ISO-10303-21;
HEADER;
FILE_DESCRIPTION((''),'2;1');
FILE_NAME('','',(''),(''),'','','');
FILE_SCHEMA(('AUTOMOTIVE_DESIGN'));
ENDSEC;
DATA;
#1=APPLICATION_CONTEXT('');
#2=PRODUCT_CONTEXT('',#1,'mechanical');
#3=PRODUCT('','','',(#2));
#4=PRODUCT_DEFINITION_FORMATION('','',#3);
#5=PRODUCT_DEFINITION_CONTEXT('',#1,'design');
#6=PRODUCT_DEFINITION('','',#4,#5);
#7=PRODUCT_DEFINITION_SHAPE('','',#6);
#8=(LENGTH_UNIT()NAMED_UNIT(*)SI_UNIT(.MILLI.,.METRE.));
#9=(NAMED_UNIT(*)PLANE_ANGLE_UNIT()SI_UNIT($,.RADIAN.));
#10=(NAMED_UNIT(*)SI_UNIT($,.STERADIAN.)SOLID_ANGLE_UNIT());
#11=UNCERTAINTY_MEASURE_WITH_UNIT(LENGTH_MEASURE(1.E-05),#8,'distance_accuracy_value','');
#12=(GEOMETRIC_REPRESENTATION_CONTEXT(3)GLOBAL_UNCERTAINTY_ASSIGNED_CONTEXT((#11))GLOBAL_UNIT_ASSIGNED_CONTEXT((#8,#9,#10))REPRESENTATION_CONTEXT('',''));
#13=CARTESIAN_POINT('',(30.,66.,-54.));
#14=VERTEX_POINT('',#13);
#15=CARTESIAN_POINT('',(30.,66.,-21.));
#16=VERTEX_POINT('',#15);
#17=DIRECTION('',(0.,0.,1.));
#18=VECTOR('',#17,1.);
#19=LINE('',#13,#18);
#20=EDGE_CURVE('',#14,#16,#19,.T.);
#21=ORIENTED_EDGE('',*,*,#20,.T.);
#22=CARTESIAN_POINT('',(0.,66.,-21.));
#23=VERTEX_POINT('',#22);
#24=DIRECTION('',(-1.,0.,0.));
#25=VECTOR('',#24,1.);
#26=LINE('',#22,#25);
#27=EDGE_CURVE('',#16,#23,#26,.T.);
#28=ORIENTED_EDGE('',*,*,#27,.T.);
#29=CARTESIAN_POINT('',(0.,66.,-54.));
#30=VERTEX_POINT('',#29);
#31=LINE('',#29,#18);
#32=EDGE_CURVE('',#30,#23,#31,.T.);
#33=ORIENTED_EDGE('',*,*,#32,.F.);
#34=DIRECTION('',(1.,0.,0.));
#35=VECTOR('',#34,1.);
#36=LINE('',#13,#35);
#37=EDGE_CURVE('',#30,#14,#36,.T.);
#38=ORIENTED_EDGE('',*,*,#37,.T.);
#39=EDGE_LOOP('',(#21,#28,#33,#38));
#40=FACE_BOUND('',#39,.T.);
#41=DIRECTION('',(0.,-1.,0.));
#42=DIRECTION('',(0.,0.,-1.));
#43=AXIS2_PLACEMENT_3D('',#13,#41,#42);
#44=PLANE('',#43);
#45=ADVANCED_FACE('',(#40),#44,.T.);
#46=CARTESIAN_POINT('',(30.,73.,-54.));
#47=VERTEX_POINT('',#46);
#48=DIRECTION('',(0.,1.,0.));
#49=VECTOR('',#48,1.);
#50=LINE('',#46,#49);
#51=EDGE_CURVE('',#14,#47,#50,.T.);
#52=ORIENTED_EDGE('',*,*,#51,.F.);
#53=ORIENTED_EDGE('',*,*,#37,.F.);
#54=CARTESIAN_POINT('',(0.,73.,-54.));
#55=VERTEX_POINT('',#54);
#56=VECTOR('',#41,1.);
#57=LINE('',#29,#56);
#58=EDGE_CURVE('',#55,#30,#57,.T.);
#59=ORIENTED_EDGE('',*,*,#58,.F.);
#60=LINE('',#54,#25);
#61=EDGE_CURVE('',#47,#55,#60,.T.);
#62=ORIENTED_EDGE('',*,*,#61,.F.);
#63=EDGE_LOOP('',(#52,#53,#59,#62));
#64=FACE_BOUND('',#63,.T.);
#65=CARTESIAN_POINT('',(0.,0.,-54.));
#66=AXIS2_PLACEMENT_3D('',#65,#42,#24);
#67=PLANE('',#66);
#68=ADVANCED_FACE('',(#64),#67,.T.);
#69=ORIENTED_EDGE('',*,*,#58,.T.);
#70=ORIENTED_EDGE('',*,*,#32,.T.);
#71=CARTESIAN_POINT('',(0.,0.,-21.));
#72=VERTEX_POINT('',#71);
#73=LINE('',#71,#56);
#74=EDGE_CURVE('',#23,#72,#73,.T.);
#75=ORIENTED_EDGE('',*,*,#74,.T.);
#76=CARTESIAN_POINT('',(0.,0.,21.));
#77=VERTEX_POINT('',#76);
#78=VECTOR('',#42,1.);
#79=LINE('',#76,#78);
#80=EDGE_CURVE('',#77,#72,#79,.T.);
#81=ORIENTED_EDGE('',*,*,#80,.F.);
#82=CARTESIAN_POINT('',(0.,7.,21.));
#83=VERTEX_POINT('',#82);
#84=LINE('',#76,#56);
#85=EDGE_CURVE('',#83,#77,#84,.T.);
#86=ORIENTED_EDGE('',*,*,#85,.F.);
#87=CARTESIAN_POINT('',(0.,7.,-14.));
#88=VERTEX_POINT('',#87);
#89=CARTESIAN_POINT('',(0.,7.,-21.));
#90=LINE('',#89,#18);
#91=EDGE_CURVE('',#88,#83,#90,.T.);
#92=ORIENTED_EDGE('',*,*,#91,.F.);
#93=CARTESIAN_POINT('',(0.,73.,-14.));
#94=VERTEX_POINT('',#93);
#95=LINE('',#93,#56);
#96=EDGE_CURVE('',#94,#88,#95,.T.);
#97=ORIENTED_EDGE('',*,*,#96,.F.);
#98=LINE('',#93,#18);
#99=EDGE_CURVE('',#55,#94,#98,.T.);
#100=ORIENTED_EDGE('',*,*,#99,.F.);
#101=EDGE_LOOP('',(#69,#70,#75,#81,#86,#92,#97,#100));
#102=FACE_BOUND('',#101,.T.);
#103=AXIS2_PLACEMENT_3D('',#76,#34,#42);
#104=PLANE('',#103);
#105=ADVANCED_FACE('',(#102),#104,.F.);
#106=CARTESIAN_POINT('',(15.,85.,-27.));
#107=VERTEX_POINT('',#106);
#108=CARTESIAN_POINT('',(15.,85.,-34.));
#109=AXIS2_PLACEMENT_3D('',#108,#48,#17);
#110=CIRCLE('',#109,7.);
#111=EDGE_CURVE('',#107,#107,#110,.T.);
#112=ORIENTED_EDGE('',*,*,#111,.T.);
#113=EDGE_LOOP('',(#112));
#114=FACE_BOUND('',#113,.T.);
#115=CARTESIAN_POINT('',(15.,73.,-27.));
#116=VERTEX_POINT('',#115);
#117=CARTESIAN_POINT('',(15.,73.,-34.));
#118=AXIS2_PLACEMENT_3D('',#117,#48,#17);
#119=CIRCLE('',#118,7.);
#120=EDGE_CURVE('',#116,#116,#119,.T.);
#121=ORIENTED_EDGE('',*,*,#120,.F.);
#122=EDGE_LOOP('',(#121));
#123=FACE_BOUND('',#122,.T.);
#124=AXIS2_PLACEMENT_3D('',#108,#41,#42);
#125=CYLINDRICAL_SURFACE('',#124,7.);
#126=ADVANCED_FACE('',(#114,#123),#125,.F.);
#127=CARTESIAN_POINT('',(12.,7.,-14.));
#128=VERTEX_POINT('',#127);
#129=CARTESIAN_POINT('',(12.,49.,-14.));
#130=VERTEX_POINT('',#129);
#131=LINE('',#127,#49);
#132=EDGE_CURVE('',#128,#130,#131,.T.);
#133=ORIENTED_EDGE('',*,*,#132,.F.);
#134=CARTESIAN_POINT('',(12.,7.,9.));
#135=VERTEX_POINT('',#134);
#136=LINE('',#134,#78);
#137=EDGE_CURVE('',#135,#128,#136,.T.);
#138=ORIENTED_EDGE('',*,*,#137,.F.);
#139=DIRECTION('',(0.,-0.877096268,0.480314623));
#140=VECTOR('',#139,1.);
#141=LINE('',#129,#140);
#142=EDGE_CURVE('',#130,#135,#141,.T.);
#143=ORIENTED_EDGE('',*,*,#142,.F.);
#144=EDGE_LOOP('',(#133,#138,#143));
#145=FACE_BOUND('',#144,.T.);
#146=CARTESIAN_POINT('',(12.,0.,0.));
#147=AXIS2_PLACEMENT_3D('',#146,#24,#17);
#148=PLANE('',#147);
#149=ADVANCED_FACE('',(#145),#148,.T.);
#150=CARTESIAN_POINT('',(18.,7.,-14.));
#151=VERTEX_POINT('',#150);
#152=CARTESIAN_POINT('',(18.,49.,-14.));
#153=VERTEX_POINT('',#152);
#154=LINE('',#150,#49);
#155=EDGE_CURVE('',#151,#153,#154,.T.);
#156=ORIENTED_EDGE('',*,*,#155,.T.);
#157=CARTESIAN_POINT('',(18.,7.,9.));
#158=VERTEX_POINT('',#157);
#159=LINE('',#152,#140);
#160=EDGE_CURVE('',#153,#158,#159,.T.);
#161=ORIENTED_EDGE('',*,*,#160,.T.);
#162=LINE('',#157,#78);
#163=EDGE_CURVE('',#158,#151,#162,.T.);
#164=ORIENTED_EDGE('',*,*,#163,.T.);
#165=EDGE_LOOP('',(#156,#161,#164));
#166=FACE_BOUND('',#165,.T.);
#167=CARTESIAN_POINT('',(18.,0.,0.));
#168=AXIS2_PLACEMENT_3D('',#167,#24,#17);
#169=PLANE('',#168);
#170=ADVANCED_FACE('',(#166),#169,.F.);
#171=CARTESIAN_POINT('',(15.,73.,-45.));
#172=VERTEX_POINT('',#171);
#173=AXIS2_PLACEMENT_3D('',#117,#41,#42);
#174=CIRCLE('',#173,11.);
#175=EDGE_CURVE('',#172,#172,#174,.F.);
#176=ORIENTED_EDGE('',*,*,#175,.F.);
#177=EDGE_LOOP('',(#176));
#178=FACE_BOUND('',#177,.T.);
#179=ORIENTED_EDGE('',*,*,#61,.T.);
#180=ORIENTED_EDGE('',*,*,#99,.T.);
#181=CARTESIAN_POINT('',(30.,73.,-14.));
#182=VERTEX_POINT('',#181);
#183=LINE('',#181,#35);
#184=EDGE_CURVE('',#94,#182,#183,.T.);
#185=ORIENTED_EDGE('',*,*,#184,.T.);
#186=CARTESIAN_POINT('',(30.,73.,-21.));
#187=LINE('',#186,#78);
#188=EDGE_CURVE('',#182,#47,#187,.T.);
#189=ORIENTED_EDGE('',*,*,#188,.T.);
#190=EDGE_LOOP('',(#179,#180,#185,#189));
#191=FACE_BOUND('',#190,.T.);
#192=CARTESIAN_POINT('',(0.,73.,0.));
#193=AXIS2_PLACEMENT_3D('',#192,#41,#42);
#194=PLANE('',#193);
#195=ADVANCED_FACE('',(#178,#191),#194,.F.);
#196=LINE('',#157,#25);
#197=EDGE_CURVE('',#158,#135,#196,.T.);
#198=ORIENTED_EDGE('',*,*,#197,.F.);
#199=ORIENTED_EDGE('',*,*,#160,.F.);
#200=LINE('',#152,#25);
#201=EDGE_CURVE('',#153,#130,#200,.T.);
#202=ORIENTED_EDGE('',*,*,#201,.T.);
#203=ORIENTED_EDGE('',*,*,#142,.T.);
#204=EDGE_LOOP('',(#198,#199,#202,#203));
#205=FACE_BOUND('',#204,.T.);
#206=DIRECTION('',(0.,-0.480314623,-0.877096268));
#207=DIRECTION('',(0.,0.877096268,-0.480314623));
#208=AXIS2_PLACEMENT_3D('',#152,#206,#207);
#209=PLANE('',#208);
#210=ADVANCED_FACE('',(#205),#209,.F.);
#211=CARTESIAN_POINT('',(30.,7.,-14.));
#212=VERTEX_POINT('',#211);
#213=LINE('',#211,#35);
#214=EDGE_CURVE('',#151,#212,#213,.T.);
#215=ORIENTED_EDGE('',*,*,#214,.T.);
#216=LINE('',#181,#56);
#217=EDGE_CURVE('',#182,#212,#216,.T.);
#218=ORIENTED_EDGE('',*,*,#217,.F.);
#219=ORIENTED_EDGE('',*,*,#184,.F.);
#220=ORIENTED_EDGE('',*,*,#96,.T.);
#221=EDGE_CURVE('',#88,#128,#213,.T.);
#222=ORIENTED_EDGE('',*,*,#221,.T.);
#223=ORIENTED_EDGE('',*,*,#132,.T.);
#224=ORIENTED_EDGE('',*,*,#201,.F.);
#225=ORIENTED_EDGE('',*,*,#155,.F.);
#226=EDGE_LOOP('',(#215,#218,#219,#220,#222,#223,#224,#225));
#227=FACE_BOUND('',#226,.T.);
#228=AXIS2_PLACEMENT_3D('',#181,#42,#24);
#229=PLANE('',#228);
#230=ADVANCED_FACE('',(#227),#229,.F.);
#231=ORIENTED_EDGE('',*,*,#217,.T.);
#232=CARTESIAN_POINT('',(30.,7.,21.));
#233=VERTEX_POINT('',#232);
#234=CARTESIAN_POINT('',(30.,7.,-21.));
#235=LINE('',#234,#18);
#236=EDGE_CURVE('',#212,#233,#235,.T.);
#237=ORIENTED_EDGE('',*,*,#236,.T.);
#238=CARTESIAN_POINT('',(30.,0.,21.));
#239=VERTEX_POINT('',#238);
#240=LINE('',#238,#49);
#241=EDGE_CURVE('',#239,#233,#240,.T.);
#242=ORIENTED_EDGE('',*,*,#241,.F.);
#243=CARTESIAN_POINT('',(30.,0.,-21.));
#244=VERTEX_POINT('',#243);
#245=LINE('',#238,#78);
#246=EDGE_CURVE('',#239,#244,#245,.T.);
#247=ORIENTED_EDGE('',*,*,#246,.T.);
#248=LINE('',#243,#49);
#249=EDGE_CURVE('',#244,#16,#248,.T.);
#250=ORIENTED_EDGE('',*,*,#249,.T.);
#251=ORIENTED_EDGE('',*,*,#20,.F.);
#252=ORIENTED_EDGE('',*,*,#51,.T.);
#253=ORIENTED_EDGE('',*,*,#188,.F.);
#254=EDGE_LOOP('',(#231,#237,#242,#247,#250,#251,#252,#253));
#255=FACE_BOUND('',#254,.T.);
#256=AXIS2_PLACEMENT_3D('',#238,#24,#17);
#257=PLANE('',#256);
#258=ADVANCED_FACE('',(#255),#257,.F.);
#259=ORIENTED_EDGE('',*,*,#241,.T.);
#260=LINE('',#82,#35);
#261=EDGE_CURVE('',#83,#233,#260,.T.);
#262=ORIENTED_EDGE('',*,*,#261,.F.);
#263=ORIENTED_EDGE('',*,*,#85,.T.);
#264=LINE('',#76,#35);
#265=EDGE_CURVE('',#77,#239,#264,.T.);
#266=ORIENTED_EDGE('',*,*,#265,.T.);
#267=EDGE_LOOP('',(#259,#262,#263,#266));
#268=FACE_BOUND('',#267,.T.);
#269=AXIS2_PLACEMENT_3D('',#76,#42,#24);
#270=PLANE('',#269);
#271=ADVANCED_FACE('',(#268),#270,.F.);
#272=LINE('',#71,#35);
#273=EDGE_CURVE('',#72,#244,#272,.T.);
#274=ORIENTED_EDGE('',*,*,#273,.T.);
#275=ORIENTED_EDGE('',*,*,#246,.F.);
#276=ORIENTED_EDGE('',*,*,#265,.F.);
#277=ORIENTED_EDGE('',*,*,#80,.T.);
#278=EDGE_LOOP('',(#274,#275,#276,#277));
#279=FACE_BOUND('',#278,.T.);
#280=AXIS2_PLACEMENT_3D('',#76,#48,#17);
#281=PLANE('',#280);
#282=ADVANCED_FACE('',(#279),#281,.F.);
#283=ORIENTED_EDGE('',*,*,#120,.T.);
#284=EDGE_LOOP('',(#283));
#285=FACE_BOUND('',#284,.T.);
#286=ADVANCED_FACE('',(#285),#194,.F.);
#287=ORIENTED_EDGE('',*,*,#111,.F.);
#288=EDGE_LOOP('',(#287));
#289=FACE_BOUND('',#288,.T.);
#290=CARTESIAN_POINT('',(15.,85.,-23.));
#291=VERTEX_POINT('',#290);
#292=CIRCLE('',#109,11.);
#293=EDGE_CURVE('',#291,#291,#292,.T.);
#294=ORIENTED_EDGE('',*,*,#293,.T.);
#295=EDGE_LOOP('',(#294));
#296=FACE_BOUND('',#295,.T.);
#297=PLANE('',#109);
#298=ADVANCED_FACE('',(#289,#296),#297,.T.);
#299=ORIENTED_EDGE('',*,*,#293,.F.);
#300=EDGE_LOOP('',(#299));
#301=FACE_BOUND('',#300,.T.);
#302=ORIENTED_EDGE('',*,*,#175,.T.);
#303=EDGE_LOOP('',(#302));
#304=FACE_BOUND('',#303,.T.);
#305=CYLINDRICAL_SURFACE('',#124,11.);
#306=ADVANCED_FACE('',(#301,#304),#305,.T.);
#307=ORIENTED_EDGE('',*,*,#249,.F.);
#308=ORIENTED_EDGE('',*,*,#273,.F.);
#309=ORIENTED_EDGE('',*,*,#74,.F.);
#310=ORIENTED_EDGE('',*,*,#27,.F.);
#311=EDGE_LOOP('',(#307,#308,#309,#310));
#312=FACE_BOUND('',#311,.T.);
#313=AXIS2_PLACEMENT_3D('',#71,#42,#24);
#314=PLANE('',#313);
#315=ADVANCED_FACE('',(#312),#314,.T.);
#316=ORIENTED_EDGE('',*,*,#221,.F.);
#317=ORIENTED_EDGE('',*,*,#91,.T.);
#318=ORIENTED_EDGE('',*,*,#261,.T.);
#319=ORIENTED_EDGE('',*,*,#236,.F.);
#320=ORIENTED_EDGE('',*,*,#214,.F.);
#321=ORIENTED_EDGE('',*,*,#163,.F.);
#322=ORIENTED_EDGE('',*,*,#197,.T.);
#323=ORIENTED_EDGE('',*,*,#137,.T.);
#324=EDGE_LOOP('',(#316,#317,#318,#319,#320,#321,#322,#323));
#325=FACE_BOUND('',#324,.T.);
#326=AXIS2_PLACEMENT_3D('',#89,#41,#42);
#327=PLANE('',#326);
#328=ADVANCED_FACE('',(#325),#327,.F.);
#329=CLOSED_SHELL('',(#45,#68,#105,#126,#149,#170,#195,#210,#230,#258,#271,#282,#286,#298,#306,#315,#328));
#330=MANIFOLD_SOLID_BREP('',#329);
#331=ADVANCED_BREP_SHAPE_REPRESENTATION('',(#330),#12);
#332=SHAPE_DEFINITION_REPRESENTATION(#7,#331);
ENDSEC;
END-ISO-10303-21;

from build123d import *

# Parameters (mm, degrees)
SKETCH1_W           = 30
SKETCH1_H           = 66
BOSS_EXTRUDE1_DEPTH = 21
SKETCH2_W           = 30
SKETCH2_H           = 59
CUT_EXTRUDE1_DEPTH  = 84.785440263
SKETCH4_W           = 30
SKETCH4_H           = 7
BOSS_EXTRUDE2_DEPTH = 66
SKETCH9_W           = 30
SKETCH9_H           = 7
BOSS_EXTRUDE3_DEPTH = 40
SKETCH10_R          = 11
SKETCH10_R_2        = 7
BOSS_EXTRUDE4_DEPTH = 12
BOSS_EXTRUDE6_DEPTH = 3


with BuildPart() as part:
    # Sketch1 → Boss-Extrude1 (new, symmetric)
    with BuildSketch(Plane.XY):
        with Locations((15, 33)):
            Rectangle(SKETCH1_W, SKETCH1_H)
    extrude(amount=BOSS_EXTRUDE1_DEPTH, both=True)

    # Sketch2 → Cut-Extrude1 (cut, through all)
    with BuildSketch(Plane.XY.offset(21)):
        with Locations((15, 36.5)):
            Rectangle(SKETCH2_W, SKETCH2_H)
    extrude(amount=-CUT_EXTRUDE1_DEPTH, mode=Mode.SUBTRACT)

    # Sketch4 → Boss-Extrude2 (add)
    with BuildSketch(Plane(origin=(0, 7, 0), x_dir=(1, 0, 0), z_dir=(0, 1, 0))):
        with Locations((15, 17.5)):
            Rectangle(SKETCH4_W, SKETCH4_H)
    extrude(amount=BOSS_EXTRUDE2_DEPTH)

    # Sketch9 → Boss-Extrude3 (add)
    with BuildSketch(Plane.XY.offset(-14)):
        with Locations((15, 69.5)):
            Rectangle(SKETCH9_W, SKETCH9_H)
    extrude(amount=-BOSS_EXTRUDE3_DEPTH)

    # Sketch10 → Boss-Extrude4 (add)
    with BuildSketch(Plane(origin=(0, 73, 0), x_dir=(1, 0, 0), z_dir=(0, 1, 0))):
        with Locations(Location((15, 34, 0), (0, 0, 90))):
            Circle(SKETCH10_R)
        with Locations(Location((15, 34, 0), (0, 0, 270))):
            Circle(SKETCH10_R_2, mode=Mode.SUBTRACT)
    extrude(amount=BOSS_EXTRUDE4_DEPTH)

    # Sketch18 → Boss-Extrude6 (add, symmetric)
    with BuildSketch(Plane(origin=(15, 0, 0), x_dir=(0, 0, -1), z_dir=(1, 0, 0))):
        Polygon((14, 49), (-9, 7), (14, 7), align=None)
    extrude(amount=BOSS_EXTRUDE6_DEPTH, both=True)


solid = part.part
